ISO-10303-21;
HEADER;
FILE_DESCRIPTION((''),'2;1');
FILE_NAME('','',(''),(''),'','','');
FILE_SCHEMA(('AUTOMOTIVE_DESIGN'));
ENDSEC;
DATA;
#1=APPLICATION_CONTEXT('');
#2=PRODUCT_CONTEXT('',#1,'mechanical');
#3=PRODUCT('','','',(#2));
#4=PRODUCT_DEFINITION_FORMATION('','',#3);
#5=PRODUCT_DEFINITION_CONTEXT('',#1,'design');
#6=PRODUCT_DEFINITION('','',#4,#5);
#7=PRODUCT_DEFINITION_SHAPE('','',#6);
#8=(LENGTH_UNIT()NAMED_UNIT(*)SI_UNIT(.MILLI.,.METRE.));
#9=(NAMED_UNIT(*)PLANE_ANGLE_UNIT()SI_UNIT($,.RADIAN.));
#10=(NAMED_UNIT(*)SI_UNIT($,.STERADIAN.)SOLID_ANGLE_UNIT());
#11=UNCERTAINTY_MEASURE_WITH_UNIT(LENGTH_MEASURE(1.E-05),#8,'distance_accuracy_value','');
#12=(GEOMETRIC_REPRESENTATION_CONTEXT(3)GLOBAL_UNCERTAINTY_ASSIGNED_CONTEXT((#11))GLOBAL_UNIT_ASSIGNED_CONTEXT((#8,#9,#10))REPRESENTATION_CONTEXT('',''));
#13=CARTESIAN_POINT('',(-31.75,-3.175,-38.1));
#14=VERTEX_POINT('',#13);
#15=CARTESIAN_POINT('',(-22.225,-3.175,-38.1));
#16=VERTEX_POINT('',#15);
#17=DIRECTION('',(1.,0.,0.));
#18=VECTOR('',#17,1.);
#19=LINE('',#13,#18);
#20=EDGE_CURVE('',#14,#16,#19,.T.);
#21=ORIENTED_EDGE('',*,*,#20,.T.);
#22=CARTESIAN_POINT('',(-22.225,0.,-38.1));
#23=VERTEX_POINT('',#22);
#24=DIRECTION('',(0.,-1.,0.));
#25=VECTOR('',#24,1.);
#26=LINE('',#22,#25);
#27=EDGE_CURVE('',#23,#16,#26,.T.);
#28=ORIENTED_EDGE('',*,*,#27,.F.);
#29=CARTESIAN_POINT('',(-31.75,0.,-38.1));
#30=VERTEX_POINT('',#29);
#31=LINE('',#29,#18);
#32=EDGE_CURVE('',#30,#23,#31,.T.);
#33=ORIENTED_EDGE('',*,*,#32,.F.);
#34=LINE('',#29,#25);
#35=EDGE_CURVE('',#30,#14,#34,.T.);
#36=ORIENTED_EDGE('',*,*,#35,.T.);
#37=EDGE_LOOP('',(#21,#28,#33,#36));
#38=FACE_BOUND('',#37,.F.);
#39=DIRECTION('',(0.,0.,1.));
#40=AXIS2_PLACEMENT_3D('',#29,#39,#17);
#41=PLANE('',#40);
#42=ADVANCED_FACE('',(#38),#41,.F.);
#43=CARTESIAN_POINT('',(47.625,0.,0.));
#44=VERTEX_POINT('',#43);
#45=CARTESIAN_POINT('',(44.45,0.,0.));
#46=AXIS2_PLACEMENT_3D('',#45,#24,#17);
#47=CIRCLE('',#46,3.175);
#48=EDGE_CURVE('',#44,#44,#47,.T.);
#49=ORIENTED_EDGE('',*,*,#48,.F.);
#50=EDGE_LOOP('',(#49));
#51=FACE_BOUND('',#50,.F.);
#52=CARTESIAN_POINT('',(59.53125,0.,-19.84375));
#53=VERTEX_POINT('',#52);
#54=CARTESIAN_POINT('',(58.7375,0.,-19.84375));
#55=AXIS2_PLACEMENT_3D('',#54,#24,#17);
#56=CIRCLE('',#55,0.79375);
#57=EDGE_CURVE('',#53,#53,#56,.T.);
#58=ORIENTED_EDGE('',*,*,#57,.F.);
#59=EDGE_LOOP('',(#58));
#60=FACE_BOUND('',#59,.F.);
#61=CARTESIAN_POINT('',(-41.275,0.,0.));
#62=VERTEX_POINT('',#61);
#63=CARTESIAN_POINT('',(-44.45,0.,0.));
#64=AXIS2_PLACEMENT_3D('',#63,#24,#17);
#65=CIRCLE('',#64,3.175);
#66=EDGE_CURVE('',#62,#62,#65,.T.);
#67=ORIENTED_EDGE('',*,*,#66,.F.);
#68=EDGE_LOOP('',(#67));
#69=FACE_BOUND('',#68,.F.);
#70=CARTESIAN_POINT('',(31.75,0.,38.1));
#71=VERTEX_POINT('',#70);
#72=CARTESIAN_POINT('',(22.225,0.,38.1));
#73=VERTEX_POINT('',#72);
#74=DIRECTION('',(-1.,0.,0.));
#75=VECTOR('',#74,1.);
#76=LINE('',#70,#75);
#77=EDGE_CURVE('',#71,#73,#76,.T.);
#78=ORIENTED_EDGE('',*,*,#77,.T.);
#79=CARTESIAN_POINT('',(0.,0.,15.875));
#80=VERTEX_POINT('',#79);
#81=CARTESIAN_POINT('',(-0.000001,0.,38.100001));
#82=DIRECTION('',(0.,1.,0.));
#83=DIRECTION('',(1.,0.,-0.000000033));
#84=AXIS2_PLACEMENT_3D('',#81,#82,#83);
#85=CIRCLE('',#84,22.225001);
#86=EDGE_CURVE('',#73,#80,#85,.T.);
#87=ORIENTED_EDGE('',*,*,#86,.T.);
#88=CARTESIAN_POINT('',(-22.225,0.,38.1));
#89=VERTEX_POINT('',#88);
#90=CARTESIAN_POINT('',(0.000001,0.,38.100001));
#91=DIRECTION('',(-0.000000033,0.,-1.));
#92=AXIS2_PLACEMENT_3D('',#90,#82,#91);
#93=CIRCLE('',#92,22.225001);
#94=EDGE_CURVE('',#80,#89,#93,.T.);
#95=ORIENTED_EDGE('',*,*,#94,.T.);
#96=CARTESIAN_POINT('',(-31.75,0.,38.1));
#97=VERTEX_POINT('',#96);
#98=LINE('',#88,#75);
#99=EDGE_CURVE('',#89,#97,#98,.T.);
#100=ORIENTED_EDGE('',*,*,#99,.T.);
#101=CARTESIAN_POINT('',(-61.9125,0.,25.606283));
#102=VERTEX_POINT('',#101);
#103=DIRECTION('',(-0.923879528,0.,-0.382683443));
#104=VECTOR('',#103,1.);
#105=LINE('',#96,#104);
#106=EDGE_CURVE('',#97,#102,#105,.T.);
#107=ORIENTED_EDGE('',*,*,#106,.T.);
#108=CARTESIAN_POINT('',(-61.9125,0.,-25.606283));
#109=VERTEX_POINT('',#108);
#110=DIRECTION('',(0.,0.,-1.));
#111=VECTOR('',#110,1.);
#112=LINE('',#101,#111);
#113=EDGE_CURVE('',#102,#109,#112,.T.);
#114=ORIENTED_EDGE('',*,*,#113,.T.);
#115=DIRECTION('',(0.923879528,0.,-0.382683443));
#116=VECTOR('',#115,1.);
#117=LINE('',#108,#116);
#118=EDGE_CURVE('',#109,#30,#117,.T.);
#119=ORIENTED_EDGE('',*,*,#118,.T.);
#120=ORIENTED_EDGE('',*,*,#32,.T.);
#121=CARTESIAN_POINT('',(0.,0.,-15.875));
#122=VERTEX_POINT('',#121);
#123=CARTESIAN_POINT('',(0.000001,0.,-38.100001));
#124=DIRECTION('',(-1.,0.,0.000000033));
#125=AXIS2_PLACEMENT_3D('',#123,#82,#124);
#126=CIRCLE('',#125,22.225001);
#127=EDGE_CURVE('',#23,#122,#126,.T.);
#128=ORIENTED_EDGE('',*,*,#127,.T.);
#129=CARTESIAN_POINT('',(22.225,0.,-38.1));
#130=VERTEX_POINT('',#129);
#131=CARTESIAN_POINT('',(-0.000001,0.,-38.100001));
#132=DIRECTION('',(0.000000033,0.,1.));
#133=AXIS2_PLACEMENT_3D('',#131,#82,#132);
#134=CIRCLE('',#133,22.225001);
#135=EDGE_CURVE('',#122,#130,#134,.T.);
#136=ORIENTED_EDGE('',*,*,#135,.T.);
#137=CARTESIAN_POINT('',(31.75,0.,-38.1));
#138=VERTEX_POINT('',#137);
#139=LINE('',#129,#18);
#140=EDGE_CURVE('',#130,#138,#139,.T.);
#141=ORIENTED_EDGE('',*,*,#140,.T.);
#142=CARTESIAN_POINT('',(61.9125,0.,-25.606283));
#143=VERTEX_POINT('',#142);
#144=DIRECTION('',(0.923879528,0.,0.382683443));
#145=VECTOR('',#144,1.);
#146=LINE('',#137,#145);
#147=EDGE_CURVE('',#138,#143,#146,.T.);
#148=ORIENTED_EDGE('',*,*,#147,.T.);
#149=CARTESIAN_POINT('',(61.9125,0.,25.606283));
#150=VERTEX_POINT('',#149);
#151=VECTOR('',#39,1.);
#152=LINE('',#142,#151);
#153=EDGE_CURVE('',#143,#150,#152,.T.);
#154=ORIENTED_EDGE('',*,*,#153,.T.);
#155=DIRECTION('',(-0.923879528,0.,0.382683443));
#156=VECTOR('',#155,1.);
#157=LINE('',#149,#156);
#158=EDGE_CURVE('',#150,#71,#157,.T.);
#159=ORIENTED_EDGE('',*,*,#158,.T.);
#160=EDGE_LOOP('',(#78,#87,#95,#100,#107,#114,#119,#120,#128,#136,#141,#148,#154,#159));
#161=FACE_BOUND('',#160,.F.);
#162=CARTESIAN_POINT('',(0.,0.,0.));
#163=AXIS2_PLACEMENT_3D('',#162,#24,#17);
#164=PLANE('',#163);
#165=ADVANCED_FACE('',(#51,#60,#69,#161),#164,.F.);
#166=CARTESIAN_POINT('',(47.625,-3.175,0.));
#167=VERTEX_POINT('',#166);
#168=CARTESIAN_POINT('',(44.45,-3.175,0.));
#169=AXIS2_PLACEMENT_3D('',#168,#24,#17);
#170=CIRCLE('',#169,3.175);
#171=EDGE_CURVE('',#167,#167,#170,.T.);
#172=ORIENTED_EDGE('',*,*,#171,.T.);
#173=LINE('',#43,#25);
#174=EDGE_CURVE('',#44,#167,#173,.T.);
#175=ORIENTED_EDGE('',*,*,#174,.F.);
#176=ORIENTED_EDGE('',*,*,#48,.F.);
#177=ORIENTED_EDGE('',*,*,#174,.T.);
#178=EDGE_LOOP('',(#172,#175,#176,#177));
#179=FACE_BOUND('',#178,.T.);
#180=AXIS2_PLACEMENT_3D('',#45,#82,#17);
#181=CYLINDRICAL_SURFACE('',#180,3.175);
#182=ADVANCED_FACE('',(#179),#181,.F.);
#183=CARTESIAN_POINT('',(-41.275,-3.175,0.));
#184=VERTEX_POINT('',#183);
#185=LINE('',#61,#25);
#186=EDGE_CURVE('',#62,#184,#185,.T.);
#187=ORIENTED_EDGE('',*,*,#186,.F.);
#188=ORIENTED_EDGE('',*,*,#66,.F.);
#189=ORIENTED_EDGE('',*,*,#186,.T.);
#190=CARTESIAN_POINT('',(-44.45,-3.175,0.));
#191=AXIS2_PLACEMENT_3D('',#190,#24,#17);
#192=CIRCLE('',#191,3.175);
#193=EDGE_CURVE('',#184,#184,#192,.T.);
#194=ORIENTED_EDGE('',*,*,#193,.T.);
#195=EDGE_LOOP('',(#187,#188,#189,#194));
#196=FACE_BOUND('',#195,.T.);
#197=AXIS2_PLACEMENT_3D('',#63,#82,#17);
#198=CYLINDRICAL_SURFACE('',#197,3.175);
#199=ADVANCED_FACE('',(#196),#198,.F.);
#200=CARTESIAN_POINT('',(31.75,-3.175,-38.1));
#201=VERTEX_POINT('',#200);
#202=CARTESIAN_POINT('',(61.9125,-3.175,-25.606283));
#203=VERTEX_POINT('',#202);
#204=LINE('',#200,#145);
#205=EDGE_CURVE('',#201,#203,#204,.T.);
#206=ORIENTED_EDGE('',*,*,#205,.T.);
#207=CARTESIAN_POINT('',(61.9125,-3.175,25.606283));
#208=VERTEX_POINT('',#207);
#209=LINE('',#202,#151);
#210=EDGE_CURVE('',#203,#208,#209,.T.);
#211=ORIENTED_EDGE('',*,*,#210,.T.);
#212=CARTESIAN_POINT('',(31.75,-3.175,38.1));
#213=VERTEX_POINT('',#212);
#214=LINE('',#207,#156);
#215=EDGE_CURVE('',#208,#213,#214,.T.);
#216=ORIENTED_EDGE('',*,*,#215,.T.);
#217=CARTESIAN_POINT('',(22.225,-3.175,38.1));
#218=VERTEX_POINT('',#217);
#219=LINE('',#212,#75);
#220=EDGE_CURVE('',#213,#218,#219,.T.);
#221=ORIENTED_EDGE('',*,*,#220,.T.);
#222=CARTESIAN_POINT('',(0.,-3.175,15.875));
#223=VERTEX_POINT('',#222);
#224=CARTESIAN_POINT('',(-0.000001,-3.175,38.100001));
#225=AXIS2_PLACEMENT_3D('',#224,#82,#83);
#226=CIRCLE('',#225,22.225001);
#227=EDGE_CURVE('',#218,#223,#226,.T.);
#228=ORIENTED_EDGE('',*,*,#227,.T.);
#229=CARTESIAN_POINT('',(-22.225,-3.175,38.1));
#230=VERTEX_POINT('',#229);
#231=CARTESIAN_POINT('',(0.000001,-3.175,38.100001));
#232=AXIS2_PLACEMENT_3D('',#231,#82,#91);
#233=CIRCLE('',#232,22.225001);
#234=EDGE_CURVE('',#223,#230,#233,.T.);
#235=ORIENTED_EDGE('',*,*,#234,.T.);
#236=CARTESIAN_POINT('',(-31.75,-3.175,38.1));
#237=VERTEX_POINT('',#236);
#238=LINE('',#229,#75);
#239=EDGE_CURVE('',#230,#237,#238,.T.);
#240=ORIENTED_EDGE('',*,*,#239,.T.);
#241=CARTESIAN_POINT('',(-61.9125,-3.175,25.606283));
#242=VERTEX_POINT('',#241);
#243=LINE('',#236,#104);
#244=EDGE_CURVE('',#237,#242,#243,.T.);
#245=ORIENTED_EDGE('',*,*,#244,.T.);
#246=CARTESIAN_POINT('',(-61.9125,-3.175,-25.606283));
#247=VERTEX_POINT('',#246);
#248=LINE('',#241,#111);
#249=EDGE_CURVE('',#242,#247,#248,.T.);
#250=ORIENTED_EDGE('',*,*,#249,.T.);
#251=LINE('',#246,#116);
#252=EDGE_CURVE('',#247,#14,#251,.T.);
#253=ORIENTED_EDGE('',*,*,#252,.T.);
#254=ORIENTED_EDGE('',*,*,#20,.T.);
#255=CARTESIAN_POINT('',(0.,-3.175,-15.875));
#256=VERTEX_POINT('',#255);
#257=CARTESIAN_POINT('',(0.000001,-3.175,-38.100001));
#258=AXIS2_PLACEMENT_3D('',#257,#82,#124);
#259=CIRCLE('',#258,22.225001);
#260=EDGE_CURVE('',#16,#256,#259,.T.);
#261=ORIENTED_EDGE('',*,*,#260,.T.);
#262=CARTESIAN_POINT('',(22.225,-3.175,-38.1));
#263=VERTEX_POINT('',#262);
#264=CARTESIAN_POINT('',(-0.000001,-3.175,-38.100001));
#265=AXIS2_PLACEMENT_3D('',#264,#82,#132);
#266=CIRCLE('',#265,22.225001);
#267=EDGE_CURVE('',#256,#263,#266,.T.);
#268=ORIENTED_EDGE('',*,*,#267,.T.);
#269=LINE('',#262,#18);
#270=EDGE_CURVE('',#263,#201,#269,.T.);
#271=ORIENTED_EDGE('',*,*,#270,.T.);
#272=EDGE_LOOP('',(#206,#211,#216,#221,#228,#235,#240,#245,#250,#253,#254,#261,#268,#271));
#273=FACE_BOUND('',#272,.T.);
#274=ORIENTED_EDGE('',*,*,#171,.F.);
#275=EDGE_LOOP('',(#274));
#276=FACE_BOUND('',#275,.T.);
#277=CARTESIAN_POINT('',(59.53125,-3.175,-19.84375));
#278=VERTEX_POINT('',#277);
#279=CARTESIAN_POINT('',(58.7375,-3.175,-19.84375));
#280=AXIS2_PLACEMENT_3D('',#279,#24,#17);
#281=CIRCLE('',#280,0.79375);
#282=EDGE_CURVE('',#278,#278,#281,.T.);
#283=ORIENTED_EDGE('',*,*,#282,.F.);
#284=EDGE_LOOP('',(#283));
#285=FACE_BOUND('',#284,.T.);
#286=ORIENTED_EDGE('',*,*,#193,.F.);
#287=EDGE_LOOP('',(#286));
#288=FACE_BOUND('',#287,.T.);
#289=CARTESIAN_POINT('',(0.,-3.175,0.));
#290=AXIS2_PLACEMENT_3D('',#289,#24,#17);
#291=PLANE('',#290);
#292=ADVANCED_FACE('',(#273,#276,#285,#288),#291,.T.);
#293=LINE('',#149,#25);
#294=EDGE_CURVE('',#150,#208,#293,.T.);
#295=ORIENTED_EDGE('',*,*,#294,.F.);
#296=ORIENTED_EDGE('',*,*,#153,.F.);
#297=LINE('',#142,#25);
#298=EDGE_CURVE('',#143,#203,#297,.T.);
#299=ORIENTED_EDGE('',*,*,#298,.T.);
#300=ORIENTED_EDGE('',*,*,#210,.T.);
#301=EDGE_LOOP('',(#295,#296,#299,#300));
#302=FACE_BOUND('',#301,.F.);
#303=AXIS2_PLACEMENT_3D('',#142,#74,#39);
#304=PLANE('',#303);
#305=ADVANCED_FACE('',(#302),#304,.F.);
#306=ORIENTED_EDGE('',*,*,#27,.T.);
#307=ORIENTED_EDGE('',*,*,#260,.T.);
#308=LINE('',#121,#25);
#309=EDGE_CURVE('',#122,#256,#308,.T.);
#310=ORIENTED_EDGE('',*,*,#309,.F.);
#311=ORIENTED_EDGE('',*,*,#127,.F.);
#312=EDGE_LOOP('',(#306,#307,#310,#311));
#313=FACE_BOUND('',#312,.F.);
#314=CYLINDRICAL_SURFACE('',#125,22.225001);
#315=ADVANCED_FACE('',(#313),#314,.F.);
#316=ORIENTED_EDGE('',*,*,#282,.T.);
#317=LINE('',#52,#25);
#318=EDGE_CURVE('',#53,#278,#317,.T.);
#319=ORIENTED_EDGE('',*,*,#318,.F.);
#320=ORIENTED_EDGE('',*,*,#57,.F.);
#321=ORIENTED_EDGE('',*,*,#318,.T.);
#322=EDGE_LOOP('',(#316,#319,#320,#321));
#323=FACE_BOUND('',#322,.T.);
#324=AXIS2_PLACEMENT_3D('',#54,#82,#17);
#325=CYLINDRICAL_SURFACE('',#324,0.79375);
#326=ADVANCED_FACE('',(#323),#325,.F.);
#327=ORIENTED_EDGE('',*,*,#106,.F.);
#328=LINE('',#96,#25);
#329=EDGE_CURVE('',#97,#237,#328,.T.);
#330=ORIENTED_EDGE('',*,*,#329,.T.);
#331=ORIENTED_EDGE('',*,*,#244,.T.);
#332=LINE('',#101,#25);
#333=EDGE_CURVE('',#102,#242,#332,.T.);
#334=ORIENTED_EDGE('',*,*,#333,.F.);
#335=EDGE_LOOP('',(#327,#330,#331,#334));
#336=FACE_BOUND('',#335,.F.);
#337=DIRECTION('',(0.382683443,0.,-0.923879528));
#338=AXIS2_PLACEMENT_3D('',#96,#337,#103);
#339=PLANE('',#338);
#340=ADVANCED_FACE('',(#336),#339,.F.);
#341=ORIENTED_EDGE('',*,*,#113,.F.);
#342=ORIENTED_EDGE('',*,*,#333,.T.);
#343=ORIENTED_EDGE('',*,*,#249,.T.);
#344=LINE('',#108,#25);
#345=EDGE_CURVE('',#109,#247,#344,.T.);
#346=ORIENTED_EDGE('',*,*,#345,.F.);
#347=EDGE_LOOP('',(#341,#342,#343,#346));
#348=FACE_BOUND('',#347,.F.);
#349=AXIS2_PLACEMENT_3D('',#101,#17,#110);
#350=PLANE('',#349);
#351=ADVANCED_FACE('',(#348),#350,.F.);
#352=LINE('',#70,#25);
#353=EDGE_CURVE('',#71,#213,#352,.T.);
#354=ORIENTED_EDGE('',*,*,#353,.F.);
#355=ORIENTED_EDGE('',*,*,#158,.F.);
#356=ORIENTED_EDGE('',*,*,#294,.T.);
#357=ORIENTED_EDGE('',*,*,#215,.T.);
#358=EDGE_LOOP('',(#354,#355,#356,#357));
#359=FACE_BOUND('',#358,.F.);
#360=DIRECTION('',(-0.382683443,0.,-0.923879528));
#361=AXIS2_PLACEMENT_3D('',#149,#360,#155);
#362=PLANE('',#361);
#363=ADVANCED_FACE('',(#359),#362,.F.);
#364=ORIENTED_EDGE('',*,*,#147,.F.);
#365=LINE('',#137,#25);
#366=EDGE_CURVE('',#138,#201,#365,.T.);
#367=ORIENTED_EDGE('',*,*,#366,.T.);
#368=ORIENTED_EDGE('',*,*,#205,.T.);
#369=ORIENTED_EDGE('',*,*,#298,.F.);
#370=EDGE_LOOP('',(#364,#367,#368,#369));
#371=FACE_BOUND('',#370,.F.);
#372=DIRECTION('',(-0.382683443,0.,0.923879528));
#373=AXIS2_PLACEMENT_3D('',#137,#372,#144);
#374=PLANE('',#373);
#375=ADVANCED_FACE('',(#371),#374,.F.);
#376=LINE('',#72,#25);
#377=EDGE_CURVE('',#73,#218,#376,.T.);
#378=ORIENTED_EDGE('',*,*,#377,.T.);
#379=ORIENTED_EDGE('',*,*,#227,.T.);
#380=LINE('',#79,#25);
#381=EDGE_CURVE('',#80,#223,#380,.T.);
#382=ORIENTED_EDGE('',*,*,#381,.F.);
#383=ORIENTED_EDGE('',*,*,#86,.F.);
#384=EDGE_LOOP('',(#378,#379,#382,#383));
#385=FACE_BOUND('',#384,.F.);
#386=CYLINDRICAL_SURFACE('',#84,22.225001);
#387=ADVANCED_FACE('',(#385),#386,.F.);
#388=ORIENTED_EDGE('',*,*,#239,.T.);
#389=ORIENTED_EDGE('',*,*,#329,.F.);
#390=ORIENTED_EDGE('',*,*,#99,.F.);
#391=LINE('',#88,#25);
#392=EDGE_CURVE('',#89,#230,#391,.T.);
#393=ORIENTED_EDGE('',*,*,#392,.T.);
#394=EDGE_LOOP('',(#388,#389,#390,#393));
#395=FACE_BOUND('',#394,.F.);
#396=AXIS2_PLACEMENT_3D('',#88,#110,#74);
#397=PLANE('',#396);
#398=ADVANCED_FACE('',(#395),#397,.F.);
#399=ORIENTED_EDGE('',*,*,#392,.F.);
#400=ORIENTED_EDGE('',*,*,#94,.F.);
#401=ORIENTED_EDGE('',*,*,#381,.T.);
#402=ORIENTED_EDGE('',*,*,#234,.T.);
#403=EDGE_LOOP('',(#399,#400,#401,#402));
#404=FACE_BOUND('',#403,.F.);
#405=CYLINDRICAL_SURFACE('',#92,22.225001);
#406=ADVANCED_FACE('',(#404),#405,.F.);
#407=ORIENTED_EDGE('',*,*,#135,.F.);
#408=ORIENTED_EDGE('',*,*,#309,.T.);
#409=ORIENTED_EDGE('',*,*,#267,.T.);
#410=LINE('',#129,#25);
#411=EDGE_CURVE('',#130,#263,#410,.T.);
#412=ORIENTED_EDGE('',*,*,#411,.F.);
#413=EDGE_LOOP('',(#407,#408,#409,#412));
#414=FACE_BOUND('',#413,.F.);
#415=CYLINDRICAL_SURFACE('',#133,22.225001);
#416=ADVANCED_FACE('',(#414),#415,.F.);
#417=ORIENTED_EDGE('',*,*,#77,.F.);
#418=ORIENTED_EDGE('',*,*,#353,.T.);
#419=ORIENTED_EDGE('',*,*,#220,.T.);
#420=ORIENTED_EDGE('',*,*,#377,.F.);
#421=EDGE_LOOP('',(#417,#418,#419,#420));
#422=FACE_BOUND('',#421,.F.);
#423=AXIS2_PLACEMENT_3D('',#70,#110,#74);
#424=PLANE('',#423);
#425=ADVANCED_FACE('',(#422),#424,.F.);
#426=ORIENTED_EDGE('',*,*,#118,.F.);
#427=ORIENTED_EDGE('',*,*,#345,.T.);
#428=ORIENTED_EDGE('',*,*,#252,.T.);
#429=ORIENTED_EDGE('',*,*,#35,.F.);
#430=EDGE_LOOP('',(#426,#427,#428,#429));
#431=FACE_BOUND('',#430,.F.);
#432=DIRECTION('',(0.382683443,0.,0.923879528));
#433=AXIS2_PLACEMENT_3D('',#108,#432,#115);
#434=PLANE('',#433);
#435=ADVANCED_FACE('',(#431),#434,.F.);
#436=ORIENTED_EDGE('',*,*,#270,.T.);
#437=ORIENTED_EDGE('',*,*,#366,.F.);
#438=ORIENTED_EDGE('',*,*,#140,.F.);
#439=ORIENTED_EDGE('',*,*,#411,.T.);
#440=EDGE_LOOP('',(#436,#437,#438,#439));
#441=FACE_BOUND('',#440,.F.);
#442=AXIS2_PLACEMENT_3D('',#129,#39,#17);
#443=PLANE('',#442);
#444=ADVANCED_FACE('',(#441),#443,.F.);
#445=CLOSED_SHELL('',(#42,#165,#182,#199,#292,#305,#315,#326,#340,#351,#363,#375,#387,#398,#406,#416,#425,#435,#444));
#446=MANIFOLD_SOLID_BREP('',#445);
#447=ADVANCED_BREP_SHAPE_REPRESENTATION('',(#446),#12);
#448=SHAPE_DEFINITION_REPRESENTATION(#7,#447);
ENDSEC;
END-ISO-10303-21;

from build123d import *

# Parameters (mm, degrees)
F0_R     = 0.79375
F0_R_2   = 3.175
F1_DEPTH = 3.175


with BuildPart() as f1:
    # F0 (on Front) → F1 (new body)
    with BuildSketch(Plane.XZ):
        with BuildLine():
            Line((-22.225, 38.1), (-31.75, 38.1))
            Line((-31.75, 38.1), (-61.9125, 25.606283))
            Line((-61.9125, 25.606283), (-61.9125, -25.606283))
            Line((-61.9125, -25.606283), (-31.75, -38.1))
            Line((-31.75, -38.1), (-22.225, -38.1))
            ThreePointArc((-22.225, -38.1), (-15.715448, -22.384552), (0, -15.875))
            ThreePointArc((0, -15.875), (15.715448, -22.384552), (22.225, -38.1))
            Line((22.225, -38.1), (31.75, -38.1))
            Line((31.75, -38.1), (61.9125, -25.606283))
            Line((61.9125, -25.606283), (61.9125, 25.606283))
            Line((61.9125, 25.606283), (31.75, 38.1))
            Line((31.75, 38.1), (22.225, 38.1))
            ThreePointArc((22.225, 38.1), (15.715448, 22.384552), (0, 15.875))
            ThreePointArc((0, 15.875), (-15.715448, 22.384552), (-22.225, 38.1))
        make_face()
        with Locations((58.7375, -19.84375)):
            Circle(F0_R, mode=Mode.SUBTRACT)
        with Locations((-44.45, 0)):
            Circle(F0_R_2, mode=Mode.SUBTRACT)
        with Locations((44.45, 0)):
            Circle(F0_R_2, mode=Mode.SUBTRACT)
    extrude(amount=F1_DEPTH)


solid = f1.part
